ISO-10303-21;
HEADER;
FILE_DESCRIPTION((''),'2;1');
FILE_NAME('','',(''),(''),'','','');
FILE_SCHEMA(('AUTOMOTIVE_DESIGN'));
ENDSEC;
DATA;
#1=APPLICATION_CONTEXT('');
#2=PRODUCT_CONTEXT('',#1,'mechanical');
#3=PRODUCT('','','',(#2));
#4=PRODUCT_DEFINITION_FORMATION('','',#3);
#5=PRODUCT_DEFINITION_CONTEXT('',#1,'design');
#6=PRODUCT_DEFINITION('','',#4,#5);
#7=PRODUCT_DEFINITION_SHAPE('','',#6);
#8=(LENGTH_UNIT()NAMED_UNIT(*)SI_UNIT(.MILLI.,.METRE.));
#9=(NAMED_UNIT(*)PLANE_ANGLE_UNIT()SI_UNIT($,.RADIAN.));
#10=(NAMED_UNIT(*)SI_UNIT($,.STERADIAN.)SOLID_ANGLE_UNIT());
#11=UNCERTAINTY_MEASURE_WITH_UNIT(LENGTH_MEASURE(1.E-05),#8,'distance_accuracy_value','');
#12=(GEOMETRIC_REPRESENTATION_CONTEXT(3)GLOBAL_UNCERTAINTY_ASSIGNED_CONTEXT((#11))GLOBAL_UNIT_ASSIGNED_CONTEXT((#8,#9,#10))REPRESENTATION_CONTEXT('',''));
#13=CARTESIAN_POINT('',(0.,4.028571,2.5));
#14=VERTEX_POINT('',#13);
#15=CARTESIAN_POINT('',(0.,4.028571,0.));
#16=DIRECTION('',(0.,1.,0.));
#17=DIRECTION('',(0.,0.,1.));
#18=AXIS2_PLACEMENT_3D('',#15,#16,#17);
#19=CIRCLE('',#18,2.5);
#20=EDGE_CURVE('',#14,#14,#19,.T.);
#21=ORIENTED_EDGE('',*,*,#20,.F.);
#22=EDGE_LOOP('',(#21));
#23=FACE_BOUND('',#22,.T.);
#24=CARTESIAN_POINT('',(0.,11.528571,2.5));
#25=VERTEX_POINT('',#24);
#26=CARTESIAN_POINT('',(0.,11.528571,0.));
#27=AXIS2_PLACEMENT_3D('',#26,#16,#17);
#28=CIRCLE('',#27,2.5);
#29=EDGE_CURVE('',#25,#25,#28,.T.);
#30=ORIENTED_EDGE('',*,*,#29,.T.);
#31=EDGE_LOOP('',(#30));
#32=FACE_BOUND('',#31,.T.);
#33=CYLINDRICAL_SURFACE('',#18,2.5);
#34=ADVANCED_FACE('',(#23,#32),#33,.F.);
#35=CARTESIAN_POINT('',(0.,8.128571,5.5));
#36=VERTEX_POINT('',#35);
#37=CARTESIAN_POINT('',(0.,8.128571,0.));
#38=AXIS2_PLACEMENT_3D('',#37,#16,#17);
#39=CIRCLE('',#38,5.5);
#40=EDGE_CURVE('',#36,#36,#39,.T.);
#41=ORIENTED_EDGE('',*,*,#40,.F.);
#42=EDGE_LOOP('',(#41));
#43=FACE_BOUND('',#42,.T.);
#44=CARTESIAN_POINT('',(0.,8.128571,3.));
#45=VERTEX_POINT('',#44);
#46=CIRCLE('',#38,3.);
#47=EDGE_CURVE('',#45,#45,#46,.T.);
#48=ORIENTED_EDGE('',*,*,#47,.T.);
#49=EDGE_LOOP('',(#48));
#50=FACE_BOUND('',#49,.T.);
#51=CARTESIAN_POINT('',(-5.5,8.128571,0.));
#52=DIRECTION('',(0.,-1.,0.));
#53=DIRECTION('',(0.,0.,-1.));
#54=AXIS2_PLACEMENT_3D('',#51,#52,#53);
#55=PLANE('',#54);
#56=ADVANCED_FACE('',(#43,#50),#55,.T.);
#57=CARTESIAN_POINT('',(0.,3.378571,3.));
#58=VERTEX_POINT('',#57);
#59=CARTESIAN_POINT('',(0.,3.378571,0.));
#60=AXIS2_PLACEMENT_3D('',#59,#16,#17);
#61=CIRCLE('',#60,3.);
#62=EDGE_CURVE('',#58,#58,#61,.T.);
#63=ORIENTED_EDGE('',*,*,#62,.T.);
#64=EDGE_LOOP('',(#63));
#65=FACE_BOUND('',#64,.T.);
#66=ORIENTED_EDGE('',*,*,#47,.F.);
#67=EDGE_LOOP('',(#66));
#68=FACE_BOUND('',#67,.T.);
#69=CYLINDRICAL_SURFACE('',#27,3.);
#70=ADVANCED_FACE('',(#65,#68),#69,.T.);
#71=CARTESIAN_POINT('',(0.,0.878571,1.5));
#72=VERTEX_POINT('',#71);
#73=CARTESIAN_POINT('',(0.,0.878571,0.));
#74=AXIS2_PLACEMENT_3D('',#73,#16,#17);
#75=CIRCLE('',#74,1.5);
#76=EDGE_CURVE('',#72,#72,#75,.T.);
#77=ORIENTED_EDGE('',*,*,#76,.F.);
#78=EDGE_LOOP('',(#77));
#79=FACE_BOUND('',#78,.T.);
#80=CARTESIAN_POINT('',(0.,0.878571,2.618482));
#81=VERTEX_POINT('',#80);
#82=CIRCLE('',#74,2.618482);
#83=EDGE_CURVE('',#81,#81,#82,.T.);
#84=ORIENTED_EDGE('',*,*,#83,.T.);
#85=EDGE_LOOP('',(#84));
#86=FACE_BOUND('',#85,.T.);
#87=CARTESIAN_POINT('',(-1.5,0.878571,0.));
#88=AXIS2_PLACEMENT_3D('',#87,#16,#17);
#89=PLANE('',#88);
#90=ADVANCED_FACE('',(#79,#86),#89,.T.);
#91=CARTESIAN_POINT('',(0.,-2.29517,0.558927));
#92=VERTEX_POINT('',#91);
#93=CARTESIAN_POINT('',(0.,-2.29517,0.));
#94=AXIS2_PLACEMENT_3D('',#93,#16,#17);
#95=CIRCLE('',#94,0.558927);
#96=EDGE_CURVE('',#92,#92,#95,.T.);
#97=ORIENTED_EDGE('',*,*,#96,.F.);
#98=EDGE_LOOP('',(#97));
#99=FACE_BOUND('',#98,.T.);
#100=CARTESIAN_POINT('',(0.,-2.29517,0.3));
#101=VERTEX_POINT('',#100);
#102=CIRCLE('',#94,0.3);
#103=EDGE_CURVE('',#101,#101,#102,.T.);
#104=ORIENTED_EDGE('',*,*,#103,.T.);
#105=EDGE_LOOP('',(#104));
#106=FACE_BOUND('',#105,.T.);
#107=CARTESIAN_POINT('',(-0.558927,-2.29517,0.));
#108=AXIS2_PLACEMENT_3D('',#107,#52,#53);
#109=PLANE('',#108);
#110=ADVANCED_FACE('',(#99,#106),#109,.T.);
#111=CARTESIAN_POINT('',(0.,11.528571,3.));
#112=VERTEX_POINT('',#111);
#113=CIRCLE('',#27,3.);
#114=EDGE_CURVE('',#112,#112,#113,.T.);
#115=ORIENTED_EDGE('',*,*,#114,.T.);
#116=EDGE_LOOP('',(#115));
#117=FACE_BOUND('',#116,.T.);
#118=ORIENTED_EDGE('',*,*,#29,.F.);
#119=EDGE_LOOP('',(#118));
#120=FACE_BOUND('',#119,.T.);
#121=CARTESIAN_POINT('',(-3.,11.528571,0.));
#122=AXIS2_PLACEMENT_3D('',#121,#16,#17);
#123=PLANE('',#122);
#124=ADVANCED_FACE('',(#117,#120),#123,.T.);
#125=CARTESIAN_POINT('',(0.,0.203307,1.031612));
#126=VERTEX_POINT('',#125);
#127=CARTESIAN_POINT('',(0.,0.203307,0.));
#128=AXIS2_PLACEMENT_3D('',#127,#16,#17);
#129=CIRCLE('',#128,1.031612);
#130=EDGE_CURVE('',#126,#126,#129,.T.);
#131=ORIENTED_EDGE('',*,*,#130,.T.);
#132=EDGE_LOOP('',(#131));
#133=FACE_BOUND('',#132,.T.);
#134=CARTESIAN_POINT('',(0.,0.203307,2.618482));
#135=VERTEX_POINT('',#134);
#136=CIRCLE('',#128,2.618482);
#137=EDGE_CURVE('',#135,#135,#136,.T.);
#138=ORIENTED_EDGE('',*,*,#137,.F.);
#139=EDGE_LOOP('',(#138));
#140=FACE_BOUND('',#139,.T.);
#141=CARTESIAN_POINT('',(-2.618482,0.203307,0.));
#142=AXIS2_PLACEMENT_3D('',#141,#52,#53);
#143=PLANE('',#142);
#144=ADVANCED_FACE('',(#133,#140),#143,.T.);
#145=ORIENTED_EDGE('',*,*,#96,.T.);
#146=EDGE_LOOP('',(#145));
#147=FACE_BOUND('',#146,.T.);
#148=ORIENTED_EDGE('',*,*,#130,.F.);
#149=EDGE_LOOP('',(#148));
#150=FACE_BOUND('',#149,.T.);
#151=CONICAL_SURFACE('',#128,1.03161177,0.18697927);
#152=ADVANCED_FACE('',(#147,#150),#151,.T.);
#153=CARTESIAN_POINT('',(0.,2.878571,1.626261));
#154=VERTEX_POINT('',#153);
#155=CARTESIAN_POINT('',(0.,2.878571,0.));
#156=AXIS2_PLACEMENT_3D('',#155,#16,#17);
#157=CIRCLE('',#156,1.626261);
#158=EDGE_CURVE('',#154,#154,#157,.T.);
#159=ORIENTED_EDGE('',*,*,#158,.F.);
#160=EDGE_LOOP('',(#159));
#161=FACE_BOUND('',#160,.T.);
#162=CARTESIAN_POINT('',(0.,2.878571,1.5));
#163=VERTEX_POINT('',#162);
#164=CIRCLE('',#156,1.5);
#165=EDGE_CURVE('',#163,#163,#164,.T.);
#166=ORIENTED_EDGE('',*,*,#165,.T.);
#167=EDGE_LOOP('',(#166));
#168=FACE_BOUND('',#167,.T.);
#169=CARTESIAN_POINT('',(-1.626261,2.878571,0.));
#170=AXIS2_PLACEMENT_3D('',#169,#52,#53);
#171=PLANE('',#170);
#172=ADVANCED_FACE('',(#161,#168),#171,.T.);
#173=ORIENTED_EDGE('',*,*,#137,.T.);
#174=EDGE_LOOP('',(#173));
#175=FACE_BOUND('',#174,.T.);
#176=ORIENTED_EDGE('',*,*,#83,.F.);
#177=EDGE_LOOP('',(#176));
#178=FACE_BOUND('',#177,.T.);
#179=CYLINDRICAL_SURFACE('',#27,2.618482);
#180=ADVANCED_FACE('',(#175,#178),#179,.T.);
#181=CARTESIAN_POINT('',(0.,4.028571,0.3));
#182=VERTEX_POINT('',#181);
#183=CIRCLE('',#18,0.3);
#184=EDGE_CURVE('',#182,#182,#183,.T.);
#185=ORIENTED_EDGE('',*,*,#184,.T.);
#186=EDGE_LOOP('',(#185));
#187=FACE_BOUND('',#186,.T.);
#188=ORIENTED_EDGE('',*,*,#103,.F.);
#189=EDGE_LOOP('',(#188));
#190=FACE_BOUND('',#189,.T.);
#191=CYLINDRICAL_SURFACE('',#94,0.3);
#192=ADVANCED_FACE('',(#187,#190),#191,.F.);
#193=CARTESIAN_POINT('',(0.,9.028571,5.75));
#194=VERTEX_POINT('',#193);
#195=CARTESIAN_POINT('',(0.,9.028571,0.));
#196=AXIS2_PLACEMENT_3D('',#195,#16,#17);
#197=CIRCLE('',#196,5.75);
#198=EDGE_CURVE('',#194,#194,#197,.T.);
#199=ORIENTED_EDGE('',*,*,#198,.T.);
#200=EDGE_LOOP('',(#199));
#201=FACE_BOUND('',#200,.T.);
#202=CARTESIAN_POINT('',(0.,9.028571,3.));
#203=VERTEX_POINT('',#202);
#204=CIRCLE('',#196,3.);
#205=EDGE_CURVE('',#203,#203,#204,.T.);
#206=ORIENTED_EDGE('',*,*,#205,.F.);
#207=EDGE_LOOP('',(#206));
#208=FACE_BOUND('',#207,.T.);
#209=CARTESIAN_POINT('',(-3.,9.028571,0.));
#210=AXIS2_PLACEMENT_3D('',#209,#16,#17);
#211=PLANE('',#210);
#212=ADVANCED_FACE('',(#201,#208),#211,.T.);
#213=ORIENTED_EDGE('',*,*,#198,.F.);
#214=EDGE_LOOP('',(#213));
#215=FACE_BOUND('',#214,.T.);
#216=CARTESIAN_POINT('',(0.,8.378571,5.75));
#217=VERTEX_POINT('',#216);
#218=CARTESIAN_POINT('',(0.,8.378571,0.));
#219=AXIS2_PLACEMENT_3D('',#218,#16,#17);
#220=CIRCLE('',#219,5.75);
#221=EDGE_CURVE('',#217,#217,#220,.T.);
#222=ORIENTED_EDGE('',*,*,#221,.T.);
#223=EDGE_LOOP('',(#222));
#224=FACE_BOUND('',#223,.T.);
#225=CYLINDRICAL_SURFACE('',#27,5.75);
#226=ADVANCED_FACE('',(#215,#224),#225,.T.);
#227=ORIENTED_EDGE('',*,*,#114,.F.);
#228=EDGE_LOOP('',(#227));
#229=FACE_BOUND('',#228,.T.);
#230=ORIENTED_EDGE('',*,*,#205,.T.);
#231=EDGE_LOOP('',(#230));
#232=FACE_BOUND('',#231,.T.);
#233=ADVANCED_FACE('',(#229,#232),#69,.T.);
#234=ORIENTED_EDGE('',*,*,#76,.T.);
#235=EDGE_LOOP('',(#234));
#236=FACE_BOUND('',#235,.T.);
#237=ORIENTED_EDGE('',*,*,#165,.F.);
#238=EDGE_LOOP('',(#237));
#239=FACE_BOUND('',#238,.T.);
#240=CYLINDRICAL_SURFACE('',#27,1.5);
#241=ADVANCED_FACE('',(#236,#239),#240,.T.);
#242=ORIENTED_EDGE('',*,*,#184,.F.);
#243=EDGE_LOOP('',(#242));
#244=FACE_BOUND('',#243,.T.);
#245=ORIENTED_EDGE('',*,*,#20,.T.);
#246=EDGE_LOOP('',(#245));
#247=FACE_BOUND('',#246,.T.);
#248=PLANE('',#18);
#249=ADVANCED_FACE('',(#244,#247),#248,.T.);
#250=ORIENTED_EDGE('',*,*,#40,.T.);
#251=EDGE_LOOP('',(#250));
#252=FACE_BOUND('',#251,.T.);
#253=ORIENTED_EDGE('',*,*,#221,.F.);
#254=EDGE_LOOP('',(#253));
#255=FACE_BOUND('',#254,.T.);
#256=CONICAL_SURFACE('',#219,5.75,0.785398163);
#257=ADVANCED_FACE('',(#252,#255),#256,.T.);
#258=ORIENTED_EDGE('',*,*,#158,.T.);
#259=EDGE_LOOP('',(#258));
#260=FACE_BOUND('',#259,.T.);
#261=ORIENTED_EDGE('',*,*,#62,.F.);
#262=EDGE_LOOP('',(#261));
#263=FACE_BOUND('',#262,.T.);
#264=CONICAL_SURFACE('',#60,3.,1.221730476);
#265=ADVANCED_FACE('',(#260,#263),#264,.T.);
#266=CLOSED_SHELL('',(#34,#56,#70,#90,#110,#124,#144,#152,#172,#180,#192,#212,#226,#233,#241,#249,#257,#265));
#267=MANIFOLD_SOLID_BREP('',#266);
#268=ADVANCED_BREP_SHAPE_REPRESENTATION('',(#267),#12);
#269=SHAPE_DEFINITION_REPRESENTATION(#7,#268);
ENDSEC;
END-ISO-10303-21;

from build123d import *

# Parameters (mm, degrees)
SKETCH2_R          = 0.3
CUT_EXTRUDE1_DEPTH = 17.038105375
SKETCH2_3_R        = 2.5
SKETCH2_3_R_2      = 0.3
CUT_EXTRUDE2_DEPTH = 7.5


with BuildPart() as part:
    # Sketch1 → Revolve1 (revolve)
    with BuildSketch(Plane.XY, mode=Mode.PRIVATE) as revolve1_sk:
        Polygon((-3, 11.528571429), (-3, 9.028571429), (-5.75, 9.028571429), (-5.75, 8.378571429), (-5.5, 8.128571429), (-3, 8.128571429), (-3, 3.378571429), (-1.62626129, 2.878571429), (-1.5, 2.878571429), (-1.5, 0.878571429), (-2.618482429, 0.878571429), (-2.618482429, 0.203307318), (-1.03161177, 0.203307318), (-0.558926893, -2.29516989), (0, -2.29516989), (0, 11.528571429), align=None)
    revolve(revolve1_sk.sketch.rotate(Axis((0, 11.528571429, 0), (0, -1, 0)), 270), axis=Axis((0, 11.528571429, 0), (0, -1, 0)))

    # Sketch2 → Cut-Extrude1 (cut, through all)
    with BuildSketch(Plane(origin=(0, 11.528571429, 0), x_dir=(1, 0, 0), z_dir=(0, 1, 0))):
        with Locations(Location((0, 0, 0), (0, 0, 270))):
            Circle(SKETCH2_R)
    extrude(amount=-CUT_EXTRUDE1_DEPTH, mode=Mode.SUBTRACT)

    # Sketch2<3> → Cut-Extrude2 (cut)
    with BuildSketch(Plane(origin=(0, 11.528571429, 0), x_dir=(1, 0, 0), z_dir=(0, 1, 0))):
        with Locations(Location((0, 0, 0), (0, 0, 270))):
            Circle(SKETCH2_3_R)
        with Locations(Location((0, 0, 0), (0, 0, 270))):
            Circle(SKETCH2_3_R_2, mode=Mode.SUBTRACT)
    extrude(amount=-CUT_EXTRUDE2_DEPTH, mode=Mode.SUBTRACT)


solid = part.part
